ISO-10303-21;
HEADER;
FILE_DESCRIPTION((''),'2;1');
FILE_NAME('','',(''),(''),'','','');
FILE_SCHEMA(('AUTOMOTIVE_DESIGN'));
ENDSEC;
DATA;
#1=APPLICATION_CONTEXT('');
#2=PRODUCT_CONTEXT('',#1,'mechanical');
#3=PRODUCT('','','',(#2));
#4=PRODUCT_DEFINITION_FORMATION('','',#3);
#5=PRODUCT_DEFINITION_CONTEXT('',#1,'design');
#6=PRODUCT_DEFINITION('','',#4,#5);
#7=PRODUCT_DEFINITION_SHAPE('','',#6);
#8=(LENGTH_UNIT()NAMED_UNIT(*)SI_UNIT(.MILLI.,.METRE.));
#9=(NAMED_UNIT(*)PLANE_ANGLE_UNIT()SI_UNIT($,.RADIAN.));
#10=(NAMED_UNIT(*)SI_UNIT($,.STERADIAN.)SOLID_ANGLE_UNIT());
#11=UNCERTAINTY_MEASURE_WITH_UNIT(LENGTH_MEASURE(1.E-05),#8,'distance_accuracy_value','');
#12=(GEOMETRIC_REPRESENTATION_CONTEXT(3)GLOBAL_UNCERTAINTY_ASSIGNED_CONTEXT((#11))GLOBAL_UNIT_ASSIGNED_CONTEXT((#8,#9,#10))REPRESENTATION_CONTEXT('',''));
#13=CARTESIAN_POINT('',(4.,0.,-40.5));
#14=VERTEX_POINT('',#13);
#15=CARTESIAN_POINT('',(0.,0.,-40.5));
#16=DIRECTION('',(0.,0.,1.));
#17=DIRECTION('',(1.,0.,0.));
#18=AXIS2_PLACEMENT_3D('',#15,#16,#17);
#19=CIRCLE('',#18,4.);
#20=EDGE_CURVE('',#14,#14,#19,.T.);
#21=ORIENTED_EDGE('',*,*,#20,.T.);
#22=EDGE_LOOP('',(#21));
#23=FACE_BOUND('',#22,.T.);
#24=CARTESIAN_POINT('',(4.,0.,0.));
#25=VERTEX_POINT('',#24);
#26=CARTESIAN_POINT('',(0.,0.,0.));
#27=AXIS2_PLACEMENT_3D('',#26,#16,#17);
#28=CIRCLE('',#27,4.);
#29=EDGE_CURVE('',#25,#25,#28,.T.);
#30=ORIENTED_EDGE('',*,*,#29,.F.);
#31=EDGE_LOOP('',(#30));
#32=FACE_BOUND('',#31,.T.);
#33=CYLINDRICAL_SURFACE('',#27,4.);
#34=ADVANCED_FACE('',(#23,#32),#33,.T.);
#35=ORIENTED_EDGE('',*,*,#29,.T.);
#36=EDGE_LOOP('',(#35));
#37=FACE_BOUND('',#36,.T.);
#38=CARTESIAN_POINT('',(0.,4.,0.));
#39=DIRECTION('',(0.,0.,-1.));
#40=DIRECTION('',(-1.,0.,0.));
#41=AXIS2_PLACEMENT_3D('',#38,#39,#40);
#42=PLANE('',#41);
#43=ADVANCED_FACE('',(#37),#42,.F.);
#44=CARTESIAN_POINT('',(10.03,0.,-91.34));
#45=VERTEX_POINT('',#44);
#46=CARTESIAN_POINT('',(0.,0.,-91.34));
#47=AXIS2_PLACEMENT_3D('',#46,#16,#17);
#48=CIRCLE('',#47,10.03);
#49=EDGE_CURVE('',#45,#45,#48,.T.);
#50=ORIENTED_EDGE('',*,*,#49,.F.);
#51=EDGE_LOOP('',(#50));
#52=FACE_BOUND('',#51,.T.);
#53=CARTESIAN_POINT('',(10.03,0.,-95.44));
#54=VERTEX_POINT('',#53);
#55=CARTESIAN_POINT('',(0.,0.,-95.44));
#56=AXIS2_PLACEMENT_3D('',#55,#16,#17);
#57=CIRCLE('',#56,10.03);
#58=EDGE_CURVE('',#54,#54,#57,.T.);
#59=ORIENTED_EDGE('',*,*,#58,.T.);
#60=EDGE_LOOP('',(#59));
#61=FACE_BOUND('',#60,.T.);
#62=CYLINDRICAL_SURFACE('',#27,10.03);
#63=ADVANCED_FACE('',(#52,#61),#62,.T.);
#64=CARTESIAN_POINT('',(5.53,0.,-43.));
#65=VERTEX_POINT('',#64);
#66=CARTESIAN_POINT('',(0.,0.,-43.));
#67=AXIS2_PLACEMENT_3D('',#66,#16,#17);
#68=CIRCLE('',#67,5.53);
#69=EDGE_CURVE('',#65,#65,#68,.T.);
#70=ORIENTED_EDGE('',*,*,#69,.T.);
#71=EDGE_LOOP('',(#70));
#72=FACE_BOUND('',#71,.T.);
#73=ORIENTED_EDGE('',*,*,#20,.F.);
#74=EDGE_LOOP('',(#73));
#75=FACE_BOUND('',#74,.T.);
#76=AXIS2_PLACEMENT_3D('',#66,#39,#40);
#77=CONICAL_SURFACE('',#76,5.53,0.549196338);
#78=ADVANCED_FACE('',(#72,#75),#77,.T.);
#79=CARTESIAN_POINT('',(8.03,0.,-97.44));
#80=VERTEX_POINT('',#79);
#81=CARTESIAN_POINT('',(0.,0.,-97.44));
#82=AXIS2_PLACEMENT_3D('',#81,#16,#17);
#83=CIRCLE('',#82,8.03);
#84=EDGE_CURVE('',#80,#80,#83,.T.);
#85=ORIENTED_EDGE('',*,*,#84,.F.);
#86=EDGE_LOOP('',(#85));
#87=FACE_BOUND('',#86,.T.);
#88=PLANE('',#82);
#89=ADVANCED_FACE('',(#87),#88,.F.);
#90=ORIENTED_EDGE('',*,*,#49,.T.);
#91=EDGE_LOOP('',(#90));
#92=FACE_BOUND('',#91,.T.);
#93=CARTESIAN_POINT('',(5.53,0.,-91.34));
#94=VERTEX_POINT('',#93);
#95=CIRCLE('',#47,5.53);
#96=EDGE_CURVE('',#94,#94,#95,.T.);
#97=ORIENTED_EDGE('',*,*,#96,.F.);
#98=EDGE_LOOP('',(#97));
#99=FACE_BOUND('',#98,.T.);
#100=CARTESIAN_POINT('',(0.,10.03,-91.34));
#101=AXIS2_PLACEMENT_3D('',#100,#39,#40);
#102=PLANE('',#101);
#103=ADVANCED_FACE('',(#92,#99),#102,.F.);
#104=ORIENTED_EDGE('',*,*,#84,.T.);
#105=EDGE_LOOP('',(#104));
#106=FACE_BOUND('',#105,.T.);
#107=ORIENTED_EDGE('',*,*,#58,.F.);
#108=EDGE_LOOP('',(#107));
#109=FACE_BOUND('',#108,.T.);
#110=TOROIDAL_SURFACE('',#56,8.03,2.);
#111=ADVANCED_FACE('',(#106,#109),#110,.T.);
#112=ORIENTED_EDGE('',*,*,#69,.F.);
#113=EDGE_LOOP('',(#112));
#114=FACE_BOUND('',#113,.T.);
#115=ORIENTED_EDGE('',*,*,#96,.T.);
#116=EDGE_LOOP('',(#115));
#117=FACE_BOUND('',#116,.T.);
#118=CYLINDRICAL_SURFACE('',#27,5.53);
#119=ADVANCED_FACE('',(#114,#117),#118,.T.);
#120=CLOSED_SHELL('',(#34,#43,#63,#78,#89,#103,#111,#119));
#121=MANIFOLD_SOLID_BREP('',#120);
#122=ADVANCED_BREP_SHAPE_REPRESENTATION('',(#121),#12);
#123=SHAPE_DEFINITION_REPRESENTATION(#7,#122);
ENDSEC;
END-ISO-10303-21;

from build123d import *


with BuildPart() as part:
    # Esquisse1 → Révolution1 (revolve)
    with BuildSketch(Plane(origin=(0, 0, 0), x_dir=(0, 0, -1), z_dir=(1, 0, 0))):
        with BuildLine():
            Line((97.44, 0), (97.44, 8.03))
            ThreePointArc((97.44, 8.03), (96.854213562, 9.444213562), (95.44, 10.03))
            Line((95.44, 10.03), (91.34, 10.03))
            Line((91.34, 10.03), (91.34, 5.53))
            Line((91.34, 5.53), (43, 5.53))
            Line((43, 5.53), (40.5, 4))
            Line((40.5, 4), (0, 4))
            Line((0, 4), (0, 0))
            Line((0, 0), (97.44, 0))
        make_face()
    revolve(axis=Axis((0, 0, 0), (0, 0, -1)))


solid = part.part
